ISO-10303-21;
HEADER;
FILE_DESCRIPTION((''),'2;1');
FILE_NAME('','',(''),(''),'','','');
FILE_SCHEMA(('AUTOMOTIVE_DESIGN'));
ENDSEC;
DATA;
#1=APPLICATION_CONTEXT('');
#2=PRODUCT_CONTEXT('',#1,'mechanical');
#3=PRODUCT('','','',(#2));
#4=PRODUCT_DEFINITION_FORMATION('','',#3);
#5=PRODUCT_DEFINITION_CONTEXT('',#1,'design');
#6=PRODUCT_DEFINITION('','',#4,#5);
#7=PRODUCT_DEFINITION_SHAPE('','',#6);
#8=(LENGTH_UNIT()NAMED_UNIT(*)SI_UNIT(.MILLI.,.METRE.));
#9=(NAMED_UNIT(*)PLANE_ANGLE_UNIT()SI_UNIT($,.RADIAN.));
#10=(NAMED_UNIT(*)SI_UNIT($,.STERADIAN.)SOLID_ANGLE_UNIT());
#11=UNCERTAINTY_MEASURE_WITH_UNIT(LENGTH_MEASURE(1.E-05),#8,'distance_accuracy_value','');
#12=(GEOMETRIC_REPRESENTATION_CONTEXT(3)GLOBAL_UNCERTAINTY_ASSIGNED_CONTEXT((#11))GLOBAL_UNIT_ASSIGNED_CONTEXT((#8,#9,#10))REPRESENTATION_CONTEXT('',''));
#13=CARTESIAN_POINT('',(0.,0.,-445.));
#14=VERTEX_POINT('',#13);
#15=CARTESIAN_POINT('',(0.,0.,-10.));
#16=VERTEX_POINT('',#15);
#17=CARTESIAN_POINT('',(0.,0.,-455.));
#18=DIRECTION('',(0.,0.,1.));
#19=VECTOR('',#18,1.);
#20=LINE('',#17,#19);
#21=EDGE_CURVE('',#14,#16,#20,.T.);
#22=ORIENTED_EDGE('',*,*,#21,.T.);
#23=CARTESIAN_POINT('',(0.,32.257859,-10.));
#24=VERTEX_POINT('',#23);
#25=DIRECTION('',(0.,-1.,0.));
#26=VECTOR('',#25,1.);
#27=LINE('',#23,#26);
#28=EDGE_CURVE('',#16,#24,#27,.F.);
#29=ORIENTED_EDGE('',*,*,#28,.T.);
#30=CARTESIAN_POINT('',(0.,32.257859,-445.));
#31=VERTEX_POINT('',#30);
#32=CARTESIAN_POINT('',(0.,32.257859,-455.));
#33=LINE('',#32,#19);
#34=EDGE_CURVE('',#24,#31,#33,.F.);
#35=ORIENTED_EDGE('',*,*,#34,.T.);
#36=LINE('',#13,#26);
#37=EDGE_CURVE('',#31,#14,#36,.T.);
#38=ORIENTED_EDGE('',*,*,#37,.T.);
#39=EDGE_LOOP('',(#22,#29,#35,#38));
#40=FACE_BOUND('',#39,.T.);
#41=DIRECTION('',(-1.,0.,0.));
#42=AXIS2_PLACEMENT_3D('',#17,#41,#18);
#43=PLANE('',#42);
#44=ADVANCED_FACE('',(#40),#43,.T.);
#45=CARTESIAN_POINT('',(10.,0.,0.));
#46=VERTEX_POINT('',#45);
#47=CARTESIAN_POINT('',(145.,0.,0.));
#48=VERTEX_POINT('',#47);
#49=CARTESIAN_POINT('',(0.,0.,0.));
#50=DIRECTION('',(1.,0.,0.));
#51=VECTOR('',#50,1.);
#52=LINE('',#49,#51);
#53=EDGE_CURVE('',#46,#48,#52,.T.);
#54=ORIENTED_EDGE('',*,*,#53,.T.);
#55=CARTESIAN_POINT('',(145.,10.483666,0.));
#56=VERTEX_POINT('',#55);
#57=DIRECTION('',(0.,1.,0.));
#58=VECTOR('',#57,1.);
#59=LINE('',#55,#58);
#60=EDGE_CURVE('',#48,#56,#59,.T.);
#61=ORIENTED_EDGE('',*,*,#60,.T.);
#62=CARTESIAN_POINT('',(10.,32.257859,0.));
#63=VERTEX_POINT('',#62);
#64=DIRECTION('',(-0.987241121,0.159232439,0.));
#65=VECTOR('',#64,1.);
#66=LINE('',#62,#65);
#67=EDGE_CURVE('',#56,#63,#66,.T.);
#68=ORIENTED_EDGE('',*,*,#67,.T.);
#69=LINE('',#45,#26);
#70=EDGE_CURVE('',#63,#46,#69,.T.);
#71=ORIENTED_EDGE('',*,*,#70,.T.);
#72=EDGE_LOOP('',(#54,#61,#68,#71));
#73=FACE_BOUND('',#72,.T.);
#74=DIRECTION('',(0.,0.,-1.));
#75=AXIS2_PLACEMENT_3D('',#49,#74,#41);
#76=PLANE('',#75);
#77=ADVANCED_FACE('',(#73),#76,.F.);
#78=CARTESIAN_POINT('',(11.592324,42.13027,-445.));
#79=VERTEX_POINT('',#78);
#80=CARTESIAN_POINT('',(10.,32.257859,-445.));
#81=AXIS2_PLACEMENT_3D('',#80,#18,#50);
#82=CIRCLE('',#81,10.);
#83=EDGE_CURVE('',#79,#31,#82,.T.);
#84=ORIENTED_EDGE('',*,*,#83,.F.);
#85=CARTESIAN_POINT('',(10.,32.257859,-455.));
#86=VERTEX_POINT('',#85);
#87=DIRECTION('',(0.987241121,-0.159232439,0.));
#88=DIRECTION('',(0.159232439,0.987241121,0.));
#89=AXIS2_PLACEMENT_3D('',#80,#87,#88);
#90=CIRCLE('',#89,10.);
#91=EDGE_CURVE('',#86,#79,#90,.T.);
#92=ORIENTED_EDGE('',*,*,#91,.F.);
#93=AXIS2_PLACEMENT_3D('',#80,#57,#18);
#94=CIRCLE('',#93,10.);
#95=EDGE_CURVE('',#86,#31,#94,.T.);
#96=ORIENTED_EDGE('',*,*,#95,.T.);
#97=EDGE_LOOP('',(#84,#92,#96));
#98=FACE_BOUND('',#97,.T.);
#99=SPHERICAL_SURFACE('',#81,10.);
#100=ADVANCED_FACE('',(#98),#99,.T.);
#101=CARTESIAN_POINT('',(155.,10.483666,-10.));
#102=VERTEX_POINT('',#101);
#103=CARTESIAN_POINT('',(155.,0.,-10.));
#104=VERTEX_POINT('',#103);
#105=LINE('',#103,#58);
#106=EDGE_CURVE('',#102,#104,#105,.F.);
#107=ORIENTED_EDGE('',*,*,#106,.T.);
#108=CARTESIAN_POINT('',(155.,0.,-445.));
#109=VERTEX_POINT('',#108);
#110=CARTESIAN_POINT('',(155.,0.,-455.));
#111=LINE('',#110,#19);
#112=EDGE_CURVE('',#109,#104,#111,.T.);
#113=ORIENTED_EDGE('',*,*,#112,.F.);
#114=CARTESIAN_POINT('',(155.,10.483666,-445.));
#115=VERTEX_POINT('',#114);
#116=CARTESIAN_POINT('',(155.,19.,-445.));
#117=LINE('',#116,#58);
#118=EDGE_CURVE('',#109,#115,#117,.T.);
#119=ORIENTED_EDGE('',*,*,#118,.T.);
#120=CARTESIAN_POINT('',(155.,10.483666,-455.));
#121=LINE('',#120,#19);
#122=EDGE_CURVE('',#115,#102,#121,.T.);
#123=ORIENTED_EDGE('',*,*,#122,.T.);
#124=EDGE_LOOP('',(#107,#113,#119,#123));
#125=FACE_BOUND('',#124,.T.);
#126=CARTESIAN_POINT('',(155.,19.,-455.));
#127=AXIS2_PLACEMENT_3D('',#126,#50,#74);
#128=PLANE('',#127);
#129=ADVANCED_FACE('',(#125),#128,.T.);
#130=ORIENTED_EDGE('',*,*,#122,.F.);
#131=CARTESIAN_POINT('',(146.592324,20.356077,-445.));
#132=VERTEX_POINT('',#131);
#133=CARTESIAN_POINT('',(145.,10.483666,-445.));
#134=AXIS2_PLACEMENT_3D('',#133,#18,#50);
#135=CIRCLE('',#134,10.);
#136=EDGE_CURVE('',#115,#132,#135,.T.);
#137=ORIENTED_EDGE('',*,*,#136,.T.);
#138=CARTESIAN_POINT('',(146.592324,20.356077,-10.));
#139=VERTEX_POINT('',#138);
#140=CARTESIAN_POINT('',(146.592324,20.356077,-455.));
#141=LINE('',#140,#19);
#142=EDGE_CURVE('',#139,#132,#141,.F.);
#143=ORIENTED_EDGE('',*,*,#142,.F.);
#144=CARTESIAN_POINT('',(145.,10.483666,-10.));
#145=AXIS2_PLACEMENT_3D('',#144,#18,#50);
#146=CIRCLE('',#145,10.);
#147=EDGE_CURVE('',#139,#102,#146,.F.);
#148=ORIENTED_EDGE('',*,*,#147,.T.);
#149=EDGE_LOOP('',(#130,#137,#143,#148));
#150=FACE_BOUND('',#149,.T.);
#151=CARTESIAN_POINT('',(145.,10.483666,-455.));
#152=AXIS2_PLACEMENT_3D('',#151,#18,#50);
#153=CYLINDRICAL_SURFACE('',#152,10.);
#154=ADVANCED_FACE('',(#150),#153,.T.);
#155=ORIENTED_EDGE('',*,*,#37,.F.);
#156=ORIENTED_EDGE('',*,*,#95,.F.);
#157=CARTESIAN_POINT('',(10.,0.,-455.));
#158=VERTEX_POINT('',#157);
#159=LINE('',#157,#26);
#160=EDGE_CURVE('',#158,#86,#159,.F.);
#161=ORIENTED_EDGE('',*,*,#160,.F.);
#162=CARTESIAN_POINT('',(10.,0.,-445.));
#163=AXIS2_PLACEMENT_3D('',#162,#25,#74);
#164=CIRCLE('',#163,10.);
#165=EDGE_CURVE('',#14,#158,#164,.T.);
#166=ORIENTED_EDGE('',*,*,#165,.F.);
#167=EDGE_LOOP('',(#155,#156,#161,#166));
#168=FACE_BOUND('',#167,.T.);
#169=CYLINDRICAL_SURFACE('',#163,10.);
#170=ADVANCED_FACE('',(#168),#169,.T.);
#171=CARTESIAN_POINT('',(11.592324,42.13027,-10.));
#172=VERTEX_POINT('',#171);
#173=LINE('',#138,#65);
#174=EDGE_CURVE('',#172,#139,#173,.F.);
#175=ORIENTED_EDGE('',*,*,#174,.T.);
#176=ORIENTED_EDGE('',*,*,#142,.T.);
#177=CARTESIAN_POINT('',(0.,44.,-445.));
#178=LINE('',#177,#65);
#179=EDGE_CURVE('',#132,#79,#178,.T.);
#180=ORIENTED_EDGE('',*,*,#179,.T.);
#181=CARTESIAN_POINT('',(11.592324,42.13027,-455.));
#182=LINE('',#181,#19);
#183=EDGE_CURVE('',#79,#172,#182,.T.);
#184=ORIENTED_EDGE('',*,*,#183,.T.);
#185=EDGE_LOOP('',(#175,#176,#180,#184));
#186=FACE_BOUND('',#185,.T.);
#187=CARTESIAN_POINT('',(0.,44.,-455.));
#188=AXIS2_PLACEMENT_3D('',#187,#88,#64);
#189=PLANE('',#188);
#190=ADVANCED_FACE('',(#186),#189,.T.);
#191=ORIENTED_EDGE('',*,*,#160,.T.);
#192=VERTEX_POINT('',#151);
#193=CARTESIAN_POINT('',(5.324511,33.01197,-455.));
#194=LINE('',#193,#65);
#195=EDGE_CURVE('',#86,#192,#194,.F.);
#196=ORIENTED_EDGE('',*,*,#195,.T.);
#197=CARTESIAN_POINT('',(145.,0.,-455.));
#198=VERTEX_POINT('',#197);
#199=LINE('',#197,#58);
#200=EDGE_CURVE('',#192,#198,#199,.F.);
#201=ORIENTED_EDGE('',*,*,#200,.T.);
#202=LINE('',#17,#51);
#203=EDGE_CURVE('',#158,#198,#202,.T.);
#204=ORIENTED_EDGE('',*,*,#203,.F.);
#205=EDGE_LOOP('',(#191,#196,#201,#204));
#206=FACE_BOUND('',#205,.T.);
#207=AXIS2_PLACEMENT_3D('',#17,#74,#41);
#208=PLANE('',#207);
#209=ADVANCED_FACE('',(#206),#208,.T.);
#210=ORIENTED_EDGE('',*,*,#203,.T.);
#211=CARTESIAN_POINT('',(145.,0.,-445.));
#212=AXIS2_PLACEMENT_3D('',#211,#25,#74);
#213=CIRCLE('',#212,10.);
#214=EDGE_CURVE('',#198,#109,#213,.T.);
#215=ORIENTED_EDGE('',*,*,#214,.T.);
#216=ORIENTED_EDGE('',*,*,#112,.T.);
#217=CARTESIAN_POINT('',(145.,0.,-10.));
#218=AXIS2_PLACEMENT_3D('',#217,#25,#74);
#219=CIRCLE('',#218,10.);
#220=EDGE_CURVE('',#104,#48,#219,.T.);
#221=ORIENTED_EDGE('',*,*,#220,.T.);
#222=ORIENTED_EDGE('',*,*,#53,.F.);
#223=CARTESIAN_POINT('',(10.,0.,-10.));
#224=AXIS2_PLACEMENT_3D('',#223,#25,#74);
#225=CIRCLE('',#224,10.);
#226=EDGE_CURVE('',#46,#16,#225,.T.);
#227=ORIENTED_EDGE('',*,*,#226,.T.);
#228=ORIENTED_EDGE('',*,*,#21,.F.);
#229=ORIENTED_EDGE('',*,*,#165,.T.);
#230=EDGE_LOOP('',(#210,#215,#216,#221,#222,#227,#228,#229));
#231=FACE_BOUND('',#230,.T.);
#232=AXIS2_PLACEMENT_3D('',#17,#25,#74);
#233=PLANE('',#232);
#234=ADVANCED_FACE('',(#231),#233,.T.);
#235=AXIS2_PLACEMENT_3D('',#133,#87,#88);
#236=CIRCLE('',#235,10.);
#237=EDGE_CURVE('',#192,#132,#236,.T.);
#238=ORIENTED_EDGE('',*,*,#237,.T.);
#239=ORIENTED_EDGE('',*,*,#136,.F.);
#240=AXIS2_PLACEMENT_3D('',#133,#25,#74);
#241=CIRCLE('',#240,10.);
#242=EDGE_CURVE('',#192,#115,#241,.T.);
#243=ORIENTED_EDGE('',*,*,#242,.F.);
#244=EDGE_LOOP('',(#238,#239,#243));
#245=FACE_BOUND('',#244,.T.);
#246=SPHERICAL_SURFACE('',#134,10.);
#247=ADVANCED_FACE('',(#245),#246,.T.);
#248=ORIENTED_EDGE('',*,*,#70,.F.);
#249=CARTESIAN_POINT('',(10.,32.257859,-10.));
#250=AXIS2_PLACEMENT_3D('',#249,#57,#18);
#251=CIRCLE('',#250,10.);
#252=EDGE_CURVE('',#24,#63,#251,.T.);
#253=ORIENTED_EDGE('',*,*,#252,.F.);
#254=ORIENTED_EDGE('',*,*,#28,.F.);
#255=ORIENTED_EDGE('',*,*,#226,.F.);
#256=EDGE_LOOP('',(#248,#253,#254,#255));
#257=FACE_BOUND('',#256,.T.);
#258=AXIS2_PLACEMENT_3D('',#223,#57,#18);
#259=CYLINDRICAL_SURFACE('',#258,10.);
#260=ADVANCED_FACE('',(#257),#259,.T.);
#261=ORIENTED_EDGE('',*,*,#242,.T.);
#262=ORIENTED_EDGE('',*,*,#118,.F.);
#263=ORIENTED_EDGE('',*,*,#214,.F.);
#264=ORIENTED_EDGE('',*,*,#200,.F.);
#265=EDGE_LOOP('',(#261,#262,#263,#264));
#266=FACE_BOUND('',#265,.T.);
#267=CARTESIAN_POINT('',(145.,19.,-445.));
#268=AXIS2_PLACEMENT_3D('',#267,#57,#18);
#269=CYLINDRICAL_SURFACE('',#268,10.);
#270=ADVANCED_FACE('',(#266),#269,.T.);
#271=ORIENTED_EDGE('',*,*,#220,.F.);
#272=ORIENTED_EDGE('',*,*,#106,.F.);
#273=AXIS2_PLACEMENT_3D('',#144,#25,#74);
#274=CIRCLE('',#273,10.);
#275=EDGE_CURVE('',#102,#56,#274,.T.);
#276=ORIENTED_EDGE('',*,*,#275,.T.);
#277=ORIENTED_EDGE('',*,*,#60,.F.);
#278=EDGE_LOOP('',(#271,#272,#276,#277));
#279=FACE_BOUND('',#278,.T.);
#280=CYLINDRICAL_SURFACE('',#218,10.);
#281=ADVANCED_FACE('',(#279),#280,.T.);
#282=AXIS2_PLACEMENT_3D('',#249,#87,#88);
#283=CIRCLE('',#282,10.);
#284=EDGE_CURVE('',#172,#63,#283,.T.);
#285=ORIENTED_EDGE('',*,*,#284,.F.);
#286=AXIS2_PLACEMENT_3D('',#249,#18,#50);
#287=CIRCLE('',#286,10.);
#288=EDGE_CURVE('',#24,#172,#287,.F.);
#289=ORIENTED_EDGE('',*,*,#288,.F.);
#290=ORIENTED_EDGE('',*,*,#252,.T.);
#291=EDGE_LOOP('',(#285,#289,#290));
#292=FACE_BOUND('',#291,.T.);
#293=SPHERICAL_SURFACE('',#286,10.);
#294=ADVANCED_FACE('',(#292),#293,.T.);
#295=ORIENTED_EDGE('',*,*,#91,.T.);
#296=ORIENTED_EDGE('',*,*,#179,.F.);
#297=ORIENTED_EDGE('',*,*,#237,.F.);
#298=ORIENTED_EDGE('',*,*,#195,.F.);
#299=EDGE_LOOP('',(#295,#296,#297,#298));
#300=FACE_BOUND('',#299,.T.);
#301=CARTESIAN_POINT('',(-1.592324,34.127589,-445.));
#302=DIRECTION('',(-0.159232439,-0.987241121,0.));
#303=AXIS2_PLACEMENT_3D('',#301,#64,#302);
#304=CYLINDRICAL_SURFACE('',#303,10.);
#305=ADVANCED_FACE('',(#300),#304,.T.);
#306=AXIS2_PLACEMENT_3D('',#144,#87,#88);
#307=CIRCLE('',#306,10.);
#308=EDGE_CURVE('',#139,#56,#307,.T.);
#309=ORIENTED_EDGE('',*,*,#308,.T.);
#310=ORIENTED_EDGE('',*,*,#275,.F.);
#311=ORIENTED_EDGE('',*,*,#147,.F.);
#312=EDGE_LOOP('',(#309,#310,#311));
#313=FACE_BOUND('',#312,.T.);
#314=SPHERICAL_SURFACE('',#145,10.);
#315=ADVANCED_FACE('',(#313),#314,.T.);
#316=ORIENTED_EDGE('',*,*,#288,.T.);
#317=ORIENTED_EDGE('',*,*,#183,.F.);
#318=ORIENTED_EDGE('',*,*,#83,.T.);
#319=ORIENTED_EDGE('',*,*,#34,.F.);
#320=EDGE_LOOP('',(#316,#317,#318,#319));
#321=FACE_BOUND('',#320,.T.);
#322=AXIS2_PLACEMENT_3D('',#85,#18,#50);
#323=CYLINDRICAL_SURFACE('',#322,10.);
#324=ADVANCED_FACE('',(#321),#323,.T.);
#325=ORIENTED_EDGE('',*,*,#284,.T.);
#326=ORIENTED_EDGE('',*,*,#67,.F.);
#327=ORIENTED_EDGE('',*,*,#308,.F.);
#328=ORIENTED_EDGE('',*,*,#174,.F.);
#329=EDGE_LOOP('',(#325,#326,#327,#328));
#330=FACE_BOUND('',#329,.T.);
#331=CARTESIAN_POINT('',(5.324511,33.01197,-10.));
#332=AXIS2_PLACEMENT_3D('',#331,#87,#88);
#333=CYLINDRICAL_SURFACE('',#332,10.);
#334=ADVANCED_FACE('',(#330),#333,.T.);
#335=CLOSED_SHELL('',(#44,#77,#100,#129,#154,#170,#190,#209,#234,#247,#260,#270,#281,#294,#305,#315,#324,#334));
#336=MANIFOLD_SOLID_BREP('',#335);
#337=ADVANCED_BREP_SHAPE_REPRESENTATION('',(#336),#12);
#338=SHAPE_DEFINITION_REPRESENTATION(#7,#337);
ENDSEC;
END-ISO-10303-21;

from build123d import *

# Parameters (mm, degrees)
BOSS_EXTRUDE1_DEPTH = 455
FILLET1_R           = 10
FILLET2_R           = 10
FILLET3_R           = 10
FILLET4_R           = 10


with BuildPart() as part:
    # Sketch1 → Boss-Extrude1 (new body)
    with BuildSketch(Plane.XY):
        Polygon((0, 0), (155, 0), (155, 19), (0, 44), align=None)
    extrude(amount=-BOSS_EXTRUDE1_DEPTH)

    # Fillet1
    fillet1_edges = [part.edges().sort_by_distance(p)[0] for p in [
        (155, 19, -227.5),
    ]]
    fillet(fillet1_edges, radius=FILLET1_R)

    # Fillet2
    fillet2_edges = [part.edges().sort_by_distance(p)[0] for p in [
        (0, 44, -227.5),
    ]]
    fillet(fillet2_edges, radius=FILLET2_R)

    # Fillet3
    fillet3_edges = [part.edges().sort_by_distance(p)[0] for p in [
        (79.092324388, 31.243173486, 0),
        (152.613253046, 16.967366458, 0),
        (0, 16.128929526, 0),
        (3.516299046, 39.871112099, 0),
        (155, 5.241832752, 0),
    ]]
    fillet(fillet3_edges, radius=FILLET3_R)

    # Fillet4
    fillet4_edges = [part.edges().sort_by_distance(p)[0] for p in [
        (155, 5.241832752, -455),
        (79.092324388, 31.243173486, -455),
        (152.613253046, 16.967366458, -455),
        (0, 16.128929526, -455),
        (3.516299046, 39.871112099, -455),
    ]]
    fillet(fillet4_edges, radius=FILLET4_R)


solid = part.part
